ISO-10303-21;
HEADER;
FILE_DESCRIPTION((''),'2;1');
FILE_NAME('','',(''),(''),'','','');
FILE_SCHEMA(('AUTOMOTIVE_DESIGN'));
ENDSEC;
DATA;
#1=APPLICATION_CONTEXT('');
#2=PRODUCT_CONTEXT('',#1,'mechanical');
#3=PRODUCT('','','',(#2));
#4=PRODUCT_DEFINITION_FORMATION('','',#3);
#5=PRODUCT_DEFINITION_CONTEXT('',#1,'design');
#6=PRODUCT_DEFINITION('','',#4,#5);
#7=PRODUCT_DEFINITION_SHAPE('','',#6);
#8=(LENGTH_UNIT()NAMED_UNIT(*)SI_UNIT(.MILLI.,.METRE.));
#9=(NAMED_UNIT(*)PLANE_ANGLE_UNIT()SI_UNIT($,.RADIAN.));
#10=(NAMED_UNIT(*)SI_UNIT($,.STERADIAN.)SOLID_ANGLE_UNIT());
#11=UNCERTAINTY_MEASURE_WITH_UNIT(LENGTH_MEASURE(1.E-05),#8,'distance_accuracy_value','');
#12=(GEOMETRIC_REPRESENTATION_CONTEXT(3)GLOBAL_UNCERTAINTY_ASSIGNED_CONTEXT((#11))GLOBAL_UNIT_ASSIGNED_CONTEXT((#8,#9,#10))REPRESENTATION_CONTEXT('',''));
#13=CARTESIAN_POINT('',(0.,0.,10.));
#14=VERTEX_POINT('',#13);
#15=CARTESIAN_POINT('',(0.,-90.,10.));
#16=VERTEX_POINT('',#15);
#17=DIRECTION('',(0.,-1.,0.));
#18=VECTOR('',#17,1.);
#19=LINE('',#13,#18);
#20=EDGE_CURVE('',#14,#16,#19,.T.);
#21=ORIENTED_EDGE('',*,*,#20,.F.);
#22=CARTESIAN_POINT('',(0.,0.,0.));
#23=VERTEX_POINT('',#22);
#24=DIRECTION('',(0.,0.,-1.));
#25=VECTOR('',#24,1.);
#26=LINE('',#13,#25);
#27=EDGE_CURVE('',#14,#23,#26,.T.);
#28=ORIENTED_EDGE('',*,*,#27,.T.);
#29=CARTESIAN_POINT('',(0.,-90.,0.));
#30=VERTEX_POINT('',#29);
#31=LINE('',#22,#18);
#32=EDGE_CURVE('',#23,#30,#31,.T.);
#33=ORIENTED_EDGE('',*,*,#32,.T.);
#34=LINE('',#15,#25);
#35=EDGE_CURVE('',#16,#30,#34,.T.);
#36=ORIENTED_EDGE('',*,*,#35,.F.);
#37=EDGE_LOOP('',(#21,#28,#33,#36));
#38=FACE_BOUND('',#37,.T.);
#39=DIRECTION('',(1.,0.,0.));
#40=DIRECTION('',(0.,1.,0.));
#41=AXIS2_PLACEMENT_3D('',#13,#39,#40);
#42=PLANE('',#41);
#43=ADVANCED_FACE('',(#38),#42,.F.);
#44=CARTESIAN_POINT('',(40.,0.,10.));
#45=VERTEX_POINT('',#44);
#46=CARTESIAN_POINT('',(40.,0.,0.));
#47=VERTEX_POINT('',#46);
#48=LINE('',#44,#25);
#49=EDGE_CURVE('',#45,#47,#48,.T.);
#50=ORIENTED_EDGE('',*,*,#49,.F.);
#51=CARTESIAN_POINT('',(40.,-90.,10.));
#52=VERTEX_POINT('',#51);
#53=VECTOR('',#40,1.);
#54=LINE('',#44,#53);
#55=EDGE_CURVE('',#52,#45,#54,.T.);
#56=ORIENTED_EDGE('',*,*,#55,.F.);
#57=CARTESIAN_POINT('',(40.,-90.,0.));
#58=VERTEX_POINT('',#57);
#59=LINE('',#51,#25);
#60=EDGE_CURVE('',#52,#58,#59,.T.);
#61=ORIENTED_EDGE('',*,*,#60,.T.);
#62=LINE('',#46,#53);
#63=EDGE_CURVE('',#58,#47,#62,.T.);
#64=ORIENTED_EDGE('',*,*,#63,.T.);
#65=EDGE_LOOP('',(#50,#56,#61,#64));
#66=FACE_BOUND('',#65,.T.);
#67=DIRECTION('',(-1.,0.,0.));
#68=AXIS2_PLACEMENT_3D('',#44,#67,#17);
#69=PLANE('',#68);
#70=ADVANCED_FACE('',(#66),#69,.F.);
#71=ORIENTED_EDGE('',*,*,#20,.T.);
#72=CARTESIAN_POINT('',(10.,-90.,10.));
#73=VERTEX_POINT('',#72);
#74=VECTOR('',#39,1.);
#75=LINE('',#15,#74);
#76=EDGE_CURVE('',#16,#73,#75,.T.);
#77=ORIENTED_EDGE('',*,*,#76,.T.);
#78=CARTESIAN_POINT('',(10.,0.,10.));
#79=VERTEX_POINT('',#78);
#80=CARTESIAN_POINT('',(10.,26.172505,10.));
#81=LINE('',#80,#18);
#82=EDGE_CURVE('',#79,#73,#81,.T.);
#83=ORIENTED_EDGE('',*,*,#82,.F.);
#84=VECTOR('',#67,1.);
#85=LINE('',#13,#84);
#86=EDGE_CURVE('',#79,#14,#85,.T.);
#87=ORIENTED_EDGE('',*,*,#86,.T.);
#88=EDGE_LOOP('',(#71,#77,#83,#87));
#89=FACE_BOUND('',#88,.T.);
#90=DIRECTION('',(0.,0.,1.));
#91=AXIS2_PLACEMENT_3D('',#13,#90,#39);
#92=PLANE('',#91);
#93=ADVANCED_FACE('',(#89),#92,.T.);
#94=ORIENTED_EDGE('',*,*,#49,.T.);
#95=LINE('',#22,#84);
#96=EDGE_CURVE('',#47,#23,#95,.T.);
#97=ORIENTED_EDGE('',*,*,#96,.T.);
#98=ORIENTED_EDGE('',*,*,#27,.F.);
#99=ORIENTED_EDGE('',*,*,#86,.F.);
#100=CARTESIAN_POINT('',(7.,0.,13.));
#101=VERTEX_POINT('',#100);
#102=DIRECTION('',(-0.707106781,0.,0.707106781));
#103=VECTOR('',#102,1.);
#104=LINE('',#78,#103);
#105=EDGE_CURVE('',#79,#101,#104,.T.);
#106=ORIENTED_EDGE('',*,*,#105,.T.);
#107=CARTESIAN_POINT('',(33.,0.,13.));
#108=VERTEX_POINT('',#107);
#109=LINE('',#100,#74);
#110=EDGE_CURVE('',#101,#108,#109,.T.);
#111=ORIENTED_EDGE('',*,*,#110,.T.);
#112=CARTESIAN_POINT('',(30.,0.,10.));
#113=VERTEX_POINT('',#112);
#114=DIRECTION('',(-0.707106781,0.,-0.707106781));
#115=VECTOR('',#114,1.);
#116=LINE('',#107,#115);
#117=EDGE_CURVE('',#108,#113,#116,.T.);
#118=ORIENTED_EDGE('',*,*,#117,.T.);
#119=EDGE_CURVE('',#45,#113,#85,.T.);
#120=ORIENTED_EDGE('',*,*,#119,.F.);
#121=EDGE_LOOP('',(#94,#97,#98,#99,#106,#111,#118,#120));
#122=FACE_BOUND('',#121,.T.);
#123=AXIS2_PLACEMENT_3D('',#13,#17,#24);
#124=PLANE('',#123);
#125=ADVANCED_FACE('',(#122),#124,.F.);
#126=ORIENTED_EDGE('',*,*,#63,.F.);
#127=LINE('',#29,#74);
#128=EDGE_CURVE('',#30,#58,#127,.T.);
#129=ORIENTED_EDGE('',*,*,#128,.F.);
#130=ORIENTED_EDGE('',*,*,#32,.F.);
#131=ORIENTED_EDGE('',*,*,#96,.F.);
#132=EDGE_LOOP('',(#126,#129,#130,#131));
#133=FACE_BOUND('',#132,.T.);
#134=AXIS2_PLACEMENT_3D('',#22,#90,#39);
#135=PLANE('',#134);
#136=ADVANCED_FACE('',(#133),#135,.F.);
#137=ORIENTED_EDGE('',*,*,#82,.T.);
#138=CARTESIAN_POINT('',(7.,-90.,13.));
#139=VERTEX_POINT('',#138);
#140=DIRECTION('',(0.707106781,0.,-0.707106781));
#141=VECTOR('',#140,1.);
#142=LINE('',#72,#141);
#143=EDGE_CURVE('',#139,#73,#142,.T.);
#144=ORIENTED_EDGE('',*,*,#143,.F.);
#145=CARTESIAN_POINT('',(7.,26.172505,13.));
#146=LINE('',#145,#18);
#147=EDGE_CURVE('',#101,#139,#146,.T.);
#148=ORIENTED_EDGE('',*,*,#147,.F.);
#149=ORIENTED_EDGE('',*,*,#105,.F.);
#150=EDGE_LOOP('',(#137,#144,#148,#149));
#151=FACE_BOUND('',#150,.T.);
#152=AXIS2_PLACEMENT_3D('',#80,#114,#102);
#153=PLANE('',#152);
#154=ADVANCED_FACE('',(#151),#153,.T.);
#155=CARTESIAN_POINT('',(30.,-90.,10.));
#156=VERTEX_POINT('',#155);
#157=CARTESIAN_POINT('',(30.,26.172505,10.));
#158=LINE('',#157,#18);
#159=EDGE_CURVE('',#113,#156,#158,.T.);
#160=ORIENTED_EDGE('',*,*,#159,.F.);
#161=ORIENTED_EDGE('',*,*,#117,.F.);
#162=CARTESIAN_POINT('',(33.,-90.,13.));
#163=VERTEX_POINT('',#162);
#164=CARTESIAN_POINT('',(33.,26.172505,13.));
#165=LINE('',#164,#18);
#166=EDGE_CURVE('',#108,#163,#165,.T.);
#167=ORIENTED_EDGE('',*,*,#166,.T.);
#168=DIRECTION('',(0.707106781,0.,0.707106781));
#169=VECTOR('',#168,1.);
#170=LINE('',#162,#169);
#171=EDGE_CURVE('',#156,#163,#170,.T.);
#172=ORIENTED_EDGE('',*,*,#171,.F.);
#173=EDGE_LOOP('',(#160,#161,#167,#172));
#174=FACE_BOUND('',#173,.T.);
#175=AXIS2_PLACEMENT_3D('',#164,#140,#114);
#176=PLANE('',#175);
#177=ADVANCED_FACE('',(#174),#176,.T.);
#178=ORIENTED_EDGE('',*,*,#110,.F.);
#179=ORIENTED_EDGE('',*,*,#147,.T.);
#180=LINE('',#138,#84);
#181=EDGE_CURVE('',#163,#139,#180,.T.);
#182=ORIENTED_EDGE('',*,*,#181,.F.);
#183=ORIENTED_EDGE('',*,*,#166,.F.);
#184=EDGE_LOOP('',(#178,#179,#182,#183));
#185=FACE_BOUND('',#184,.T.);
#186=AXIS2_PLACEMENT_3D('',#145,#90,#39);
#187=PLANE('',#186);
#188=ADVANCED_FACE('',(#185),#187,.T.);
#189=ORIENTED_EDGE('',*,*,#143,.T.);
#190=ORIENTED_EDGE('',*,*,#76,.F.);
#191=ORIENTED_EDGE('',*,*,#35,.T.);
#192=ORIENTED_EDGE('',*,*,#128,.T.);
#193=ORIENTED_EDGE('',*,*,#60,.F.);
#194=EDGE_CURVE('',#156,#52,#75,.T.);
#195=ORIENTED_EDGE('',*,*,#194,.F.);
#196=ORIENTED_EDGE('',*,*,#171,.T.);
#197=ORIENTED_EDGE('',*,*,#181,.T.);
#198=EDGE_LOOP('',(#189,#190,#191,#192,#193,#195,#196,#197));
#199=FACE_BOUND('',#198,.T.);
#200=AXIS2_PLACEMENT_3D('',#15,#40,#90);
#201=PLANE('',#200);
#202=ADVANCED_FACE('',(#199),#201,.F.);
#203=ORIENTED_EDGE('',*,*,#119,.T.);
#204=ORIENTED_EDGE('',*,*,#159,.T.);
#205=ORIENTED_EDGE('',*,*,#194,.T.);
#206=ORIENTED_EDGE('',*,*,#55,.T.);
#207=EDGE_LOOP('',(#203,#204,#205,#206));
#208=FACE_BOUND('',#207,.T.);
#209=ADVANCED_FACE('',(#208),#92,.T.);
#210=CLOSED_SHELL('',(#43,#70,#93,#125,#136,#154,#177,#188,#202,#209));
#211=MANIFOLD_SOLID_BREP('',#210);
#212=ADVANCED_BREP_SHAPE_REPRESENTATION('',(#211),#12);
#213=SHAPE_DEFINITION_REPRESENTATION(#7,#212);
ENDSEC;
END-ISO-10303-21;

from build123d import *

# Parameters (mm, degrees)
SKETCH_1_W      = 40
SKETCH_1_H      = 90
EXTRUDE_1_DEPTH = 10
EXTRUDE_2_DEPTH = 90


with BuildPart() as part:
    # 草图1 → 凸台-拉伸1 (new body)
    with BuildSketch(Plane.XY):
        with Locations((20, -45)):
            Rectangle(SKETCH_1_W, SKETCH_1_H)
    extrude(amount=EXTRUDE_1_DEPTH)

    # 草图2 → 凸台-拉伸2 (add)
    with BuildSketch(Plane.XZ.offset(90)):
        Polygon((10, 10), (7, 13), (33, 13), (30, 10), align=None)
    extrude(amount=-EXTRUDE_2_DEPTH)


solid = part.part
